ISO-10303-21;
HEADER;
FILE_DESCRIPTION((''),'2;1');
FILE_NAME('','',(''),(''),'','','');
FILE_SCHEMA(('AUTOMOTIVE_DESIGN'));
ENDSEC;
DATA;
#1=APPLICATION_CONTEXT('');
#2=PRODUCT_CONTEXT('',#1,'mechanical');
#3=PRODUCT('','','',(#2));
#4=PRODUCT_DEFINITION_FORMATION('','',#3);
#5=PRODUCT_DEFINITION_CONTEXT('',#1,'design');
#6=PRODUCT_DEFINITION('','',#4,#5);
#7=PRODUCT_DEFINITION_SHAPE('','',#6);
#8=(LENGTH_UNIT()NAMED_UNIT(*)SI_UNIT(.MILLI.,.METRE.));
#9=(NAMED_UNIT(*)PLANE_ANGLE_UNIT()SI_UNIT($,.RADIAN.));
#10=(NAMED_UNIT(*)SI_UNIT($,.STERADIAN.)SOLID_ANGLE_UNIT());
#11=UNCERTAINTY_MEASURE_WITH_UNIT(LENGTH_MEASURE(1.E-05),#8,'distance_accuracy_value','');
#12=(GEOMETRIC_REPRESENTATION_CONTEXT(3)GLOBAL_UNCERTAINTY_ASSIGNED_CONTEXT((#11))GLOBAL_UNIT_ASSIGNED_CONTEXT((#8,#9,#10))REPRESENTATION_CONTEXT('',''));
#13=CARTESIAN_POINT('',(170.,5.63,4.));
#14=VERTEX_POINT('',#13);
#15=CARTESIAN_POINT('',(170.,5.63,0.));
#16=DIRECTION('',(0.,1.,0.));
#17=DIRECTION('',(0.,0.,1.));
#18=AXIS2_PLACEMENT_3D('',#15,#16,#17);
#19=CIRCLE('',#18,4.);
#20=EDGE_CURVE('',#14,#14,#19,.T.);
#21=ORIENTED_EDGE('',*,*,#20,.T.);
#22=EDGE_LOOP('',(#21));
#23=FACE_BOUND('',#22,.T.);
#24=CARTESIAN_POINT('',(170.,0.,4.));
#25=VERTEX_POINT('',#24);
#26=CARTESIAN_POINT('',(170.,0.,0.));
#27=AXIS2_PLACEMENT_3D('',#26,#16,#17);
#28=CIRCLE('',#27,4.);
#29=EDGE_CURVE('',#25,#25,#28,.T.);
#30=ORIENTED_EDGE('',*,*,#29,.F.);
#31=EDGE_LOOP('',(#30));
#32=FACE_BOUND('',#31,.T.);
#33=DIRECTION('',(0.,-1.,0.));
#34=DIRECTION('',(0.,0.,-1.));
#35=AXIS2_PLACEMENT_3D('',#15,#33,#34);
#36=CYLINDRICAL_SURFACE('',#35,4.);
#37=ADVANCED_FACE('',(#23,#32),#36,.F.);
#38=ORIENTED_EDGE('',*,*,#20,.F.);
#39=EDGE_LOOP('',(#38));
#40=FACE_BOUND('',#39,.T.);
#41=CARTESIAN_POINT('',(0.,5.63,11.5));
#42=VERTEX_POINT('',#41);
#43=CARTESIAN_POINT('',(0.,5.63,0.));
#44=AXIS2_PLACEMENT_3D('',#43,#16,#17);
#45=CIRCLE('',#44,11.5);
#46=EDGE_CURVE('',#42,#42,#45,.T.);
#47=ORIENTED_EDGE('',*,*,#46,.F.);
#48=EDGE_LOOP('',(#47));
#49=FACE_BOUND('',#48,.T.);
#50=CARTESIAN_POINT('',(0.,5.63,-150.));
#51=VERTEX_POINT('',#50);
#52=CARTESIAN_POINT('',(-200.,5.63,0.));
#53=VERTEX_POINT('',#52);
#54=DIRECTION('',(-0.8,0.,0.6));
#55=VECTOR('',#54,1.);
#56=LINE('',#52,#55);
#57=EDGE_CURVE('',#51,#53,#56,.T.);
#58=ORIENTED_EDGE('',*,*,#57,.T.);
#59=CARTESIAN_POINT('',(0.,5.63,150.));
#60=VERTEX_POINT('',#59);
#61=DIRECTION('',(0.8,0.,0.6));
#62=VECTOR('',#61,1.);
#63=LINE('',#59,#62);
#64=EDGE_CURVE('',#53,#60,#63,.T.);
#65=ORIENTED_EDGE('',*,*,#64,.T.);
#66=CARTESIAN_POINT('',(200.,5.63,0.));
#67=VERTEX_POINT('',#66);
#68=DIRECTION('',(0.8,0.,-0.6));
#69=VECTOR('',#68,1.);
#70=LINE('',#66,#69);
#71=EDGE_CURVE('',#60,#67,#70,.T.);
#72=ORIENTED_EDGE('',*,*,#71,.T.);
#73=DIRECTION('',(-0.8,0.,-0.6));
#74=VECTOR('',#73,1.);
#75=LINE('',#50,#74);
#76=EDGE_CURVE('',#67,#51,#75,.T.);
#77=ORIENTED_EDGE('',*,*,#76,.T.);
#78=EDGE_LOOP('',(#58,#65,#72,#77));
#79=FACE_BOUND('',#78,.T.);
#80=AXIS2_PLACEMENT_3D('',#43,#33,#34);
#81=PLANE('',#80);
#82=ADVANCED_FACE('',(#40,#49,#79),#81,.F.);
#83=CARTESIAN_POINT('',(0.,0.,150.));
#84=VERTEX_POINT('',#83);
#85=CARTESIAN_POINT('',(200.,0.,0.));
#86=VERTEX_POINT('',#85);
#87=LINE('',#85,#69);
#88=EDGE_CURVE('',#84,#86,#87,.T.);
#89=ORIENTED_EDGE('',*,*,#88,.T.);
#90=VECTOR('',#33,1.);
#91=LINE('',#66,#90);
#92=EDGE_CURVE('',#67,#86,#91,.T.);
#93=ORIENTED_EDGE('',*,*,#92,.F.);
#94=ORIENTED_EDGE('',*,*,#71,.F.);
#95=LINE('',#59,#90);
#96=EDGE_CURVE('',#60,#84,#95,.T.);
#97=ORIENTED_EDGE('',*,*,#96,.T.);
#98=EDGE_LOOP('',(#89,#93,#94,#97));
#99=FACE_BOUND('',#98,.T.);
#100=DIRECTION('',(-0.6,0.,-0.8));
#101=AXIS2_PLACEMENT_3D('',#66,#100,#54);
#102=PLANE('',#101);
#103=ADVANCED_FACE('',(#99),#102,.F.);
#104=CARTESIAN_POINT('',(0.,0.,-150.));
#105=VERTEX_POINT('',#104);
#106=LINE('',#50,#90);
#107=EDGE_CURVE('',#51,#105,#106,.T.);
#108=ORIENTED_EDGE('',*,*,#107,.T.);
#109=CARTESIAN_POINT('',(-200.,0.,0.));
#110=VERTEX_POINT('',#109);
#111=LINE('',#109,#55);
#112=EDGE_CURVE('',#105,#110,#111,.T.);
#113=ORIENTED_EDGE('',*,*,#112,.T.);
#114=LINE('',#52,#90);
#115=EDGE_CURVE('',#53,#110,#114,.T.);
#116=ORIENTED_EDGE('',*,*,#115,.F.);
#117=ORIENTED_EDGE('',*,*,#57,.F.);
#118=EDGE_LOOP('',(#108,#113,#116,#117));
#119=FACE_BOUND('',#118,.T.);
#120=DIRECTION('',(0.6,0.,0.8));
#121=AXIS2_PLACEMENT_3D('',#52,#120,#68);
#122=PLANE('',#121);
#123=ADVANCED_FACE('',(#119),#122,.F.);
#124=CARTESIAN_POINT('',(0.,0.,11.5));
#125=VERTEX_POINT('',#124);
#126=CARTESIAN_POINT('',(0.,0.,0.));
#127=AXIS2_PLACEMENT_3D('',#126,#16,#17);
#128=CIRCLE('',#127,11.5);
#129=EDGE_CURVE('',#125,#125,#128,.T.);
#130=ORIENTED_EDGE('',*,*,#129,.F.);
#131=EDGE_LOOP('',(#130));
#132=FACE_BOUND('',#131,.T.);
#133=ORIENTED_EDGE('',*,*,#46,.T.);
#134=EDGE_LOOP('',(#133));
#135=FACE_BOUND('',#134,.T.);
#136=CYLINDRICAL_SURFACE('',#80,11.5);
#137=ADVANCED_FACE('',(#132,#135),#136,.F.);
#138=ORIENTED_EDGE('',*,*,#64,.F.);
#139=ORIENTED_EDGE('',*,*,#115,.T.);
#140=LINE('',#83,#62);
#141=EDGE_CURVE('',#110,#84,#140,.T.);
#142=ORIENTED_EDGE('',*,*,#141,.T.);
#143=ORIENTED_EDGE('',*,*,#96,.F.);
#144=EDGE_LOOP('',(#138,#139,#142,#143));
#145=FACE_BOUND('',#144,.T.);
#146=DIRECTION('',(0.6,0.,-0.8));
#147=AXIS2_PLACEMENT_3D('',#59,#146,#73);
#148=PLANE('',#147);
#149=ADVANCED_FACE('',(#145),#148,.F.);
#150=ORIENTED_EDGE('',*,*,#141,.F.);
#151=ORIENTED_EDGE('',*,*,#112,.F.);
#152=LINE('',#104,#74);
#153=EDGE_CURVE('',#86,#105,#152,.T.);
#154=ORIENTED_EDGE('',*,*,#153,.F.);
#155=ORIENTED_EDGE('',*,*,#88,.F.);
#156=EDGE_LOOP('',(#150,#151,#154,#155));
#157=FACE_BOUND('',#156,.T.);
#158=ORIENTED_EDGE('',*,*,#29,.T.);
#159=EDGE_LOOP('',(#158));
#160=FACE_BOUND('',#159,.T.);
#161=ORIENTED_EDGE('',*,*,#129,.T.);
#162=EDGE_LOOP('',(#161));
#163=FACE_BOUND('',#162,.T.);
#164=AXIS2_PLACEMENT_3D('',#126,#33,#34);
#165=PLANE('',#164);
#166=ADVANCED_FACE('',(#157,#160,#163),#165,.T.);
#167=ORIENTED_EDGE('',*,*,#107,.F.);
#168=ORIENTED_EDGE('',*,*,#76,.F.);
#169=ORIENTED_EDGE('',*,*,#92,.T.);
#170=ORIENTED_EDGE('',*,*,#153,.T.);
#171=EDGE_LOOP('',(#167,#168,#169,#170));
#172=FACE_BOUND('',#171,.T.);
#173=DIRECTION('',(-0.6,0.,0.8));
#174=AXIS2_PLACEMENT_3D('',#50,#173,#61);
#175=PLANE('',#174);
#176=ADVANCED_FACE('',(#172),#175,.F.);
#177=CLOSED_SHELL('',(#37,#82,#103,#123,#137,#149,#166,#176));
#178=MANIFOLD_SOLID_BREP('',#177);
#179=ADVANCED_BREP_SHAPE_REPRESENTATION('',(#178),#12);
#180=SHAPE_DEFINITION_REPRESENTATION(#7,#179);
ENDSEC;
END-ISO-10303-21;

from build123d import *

# Parameters (mm, degrees)
SKETCH1_R           = 11.5
SKETCH1_R_2         = 4
BOSS_EXTRUDE1_DEPTH = 5.63


with BuildPart() as part:
    # Sketch1 → Boss-Extrude1 (new body)
    with BuildSketch(Plane(origin=(0, 0, 0), x_dir=(1, 0, 0), z_dir=(0, 1, 0))):
        Polygon((0, 150), (200, 0), (0, -150), (-200, 0), align=None)
        with Locations(Location((0, 0, 0), (0, 0, 270))):
            Circle(SKETCH1_R, mode=Mode.SUBTRACT)
        with Locations(Location((170, 0, 0), (0, 0, 270))):
            Circle(SKETCH1_R_2, mode=Mode.SUBTRACT)
    extrude(amount=BOSS_EXTRUDE1_DEPTH)


solid = part.part
